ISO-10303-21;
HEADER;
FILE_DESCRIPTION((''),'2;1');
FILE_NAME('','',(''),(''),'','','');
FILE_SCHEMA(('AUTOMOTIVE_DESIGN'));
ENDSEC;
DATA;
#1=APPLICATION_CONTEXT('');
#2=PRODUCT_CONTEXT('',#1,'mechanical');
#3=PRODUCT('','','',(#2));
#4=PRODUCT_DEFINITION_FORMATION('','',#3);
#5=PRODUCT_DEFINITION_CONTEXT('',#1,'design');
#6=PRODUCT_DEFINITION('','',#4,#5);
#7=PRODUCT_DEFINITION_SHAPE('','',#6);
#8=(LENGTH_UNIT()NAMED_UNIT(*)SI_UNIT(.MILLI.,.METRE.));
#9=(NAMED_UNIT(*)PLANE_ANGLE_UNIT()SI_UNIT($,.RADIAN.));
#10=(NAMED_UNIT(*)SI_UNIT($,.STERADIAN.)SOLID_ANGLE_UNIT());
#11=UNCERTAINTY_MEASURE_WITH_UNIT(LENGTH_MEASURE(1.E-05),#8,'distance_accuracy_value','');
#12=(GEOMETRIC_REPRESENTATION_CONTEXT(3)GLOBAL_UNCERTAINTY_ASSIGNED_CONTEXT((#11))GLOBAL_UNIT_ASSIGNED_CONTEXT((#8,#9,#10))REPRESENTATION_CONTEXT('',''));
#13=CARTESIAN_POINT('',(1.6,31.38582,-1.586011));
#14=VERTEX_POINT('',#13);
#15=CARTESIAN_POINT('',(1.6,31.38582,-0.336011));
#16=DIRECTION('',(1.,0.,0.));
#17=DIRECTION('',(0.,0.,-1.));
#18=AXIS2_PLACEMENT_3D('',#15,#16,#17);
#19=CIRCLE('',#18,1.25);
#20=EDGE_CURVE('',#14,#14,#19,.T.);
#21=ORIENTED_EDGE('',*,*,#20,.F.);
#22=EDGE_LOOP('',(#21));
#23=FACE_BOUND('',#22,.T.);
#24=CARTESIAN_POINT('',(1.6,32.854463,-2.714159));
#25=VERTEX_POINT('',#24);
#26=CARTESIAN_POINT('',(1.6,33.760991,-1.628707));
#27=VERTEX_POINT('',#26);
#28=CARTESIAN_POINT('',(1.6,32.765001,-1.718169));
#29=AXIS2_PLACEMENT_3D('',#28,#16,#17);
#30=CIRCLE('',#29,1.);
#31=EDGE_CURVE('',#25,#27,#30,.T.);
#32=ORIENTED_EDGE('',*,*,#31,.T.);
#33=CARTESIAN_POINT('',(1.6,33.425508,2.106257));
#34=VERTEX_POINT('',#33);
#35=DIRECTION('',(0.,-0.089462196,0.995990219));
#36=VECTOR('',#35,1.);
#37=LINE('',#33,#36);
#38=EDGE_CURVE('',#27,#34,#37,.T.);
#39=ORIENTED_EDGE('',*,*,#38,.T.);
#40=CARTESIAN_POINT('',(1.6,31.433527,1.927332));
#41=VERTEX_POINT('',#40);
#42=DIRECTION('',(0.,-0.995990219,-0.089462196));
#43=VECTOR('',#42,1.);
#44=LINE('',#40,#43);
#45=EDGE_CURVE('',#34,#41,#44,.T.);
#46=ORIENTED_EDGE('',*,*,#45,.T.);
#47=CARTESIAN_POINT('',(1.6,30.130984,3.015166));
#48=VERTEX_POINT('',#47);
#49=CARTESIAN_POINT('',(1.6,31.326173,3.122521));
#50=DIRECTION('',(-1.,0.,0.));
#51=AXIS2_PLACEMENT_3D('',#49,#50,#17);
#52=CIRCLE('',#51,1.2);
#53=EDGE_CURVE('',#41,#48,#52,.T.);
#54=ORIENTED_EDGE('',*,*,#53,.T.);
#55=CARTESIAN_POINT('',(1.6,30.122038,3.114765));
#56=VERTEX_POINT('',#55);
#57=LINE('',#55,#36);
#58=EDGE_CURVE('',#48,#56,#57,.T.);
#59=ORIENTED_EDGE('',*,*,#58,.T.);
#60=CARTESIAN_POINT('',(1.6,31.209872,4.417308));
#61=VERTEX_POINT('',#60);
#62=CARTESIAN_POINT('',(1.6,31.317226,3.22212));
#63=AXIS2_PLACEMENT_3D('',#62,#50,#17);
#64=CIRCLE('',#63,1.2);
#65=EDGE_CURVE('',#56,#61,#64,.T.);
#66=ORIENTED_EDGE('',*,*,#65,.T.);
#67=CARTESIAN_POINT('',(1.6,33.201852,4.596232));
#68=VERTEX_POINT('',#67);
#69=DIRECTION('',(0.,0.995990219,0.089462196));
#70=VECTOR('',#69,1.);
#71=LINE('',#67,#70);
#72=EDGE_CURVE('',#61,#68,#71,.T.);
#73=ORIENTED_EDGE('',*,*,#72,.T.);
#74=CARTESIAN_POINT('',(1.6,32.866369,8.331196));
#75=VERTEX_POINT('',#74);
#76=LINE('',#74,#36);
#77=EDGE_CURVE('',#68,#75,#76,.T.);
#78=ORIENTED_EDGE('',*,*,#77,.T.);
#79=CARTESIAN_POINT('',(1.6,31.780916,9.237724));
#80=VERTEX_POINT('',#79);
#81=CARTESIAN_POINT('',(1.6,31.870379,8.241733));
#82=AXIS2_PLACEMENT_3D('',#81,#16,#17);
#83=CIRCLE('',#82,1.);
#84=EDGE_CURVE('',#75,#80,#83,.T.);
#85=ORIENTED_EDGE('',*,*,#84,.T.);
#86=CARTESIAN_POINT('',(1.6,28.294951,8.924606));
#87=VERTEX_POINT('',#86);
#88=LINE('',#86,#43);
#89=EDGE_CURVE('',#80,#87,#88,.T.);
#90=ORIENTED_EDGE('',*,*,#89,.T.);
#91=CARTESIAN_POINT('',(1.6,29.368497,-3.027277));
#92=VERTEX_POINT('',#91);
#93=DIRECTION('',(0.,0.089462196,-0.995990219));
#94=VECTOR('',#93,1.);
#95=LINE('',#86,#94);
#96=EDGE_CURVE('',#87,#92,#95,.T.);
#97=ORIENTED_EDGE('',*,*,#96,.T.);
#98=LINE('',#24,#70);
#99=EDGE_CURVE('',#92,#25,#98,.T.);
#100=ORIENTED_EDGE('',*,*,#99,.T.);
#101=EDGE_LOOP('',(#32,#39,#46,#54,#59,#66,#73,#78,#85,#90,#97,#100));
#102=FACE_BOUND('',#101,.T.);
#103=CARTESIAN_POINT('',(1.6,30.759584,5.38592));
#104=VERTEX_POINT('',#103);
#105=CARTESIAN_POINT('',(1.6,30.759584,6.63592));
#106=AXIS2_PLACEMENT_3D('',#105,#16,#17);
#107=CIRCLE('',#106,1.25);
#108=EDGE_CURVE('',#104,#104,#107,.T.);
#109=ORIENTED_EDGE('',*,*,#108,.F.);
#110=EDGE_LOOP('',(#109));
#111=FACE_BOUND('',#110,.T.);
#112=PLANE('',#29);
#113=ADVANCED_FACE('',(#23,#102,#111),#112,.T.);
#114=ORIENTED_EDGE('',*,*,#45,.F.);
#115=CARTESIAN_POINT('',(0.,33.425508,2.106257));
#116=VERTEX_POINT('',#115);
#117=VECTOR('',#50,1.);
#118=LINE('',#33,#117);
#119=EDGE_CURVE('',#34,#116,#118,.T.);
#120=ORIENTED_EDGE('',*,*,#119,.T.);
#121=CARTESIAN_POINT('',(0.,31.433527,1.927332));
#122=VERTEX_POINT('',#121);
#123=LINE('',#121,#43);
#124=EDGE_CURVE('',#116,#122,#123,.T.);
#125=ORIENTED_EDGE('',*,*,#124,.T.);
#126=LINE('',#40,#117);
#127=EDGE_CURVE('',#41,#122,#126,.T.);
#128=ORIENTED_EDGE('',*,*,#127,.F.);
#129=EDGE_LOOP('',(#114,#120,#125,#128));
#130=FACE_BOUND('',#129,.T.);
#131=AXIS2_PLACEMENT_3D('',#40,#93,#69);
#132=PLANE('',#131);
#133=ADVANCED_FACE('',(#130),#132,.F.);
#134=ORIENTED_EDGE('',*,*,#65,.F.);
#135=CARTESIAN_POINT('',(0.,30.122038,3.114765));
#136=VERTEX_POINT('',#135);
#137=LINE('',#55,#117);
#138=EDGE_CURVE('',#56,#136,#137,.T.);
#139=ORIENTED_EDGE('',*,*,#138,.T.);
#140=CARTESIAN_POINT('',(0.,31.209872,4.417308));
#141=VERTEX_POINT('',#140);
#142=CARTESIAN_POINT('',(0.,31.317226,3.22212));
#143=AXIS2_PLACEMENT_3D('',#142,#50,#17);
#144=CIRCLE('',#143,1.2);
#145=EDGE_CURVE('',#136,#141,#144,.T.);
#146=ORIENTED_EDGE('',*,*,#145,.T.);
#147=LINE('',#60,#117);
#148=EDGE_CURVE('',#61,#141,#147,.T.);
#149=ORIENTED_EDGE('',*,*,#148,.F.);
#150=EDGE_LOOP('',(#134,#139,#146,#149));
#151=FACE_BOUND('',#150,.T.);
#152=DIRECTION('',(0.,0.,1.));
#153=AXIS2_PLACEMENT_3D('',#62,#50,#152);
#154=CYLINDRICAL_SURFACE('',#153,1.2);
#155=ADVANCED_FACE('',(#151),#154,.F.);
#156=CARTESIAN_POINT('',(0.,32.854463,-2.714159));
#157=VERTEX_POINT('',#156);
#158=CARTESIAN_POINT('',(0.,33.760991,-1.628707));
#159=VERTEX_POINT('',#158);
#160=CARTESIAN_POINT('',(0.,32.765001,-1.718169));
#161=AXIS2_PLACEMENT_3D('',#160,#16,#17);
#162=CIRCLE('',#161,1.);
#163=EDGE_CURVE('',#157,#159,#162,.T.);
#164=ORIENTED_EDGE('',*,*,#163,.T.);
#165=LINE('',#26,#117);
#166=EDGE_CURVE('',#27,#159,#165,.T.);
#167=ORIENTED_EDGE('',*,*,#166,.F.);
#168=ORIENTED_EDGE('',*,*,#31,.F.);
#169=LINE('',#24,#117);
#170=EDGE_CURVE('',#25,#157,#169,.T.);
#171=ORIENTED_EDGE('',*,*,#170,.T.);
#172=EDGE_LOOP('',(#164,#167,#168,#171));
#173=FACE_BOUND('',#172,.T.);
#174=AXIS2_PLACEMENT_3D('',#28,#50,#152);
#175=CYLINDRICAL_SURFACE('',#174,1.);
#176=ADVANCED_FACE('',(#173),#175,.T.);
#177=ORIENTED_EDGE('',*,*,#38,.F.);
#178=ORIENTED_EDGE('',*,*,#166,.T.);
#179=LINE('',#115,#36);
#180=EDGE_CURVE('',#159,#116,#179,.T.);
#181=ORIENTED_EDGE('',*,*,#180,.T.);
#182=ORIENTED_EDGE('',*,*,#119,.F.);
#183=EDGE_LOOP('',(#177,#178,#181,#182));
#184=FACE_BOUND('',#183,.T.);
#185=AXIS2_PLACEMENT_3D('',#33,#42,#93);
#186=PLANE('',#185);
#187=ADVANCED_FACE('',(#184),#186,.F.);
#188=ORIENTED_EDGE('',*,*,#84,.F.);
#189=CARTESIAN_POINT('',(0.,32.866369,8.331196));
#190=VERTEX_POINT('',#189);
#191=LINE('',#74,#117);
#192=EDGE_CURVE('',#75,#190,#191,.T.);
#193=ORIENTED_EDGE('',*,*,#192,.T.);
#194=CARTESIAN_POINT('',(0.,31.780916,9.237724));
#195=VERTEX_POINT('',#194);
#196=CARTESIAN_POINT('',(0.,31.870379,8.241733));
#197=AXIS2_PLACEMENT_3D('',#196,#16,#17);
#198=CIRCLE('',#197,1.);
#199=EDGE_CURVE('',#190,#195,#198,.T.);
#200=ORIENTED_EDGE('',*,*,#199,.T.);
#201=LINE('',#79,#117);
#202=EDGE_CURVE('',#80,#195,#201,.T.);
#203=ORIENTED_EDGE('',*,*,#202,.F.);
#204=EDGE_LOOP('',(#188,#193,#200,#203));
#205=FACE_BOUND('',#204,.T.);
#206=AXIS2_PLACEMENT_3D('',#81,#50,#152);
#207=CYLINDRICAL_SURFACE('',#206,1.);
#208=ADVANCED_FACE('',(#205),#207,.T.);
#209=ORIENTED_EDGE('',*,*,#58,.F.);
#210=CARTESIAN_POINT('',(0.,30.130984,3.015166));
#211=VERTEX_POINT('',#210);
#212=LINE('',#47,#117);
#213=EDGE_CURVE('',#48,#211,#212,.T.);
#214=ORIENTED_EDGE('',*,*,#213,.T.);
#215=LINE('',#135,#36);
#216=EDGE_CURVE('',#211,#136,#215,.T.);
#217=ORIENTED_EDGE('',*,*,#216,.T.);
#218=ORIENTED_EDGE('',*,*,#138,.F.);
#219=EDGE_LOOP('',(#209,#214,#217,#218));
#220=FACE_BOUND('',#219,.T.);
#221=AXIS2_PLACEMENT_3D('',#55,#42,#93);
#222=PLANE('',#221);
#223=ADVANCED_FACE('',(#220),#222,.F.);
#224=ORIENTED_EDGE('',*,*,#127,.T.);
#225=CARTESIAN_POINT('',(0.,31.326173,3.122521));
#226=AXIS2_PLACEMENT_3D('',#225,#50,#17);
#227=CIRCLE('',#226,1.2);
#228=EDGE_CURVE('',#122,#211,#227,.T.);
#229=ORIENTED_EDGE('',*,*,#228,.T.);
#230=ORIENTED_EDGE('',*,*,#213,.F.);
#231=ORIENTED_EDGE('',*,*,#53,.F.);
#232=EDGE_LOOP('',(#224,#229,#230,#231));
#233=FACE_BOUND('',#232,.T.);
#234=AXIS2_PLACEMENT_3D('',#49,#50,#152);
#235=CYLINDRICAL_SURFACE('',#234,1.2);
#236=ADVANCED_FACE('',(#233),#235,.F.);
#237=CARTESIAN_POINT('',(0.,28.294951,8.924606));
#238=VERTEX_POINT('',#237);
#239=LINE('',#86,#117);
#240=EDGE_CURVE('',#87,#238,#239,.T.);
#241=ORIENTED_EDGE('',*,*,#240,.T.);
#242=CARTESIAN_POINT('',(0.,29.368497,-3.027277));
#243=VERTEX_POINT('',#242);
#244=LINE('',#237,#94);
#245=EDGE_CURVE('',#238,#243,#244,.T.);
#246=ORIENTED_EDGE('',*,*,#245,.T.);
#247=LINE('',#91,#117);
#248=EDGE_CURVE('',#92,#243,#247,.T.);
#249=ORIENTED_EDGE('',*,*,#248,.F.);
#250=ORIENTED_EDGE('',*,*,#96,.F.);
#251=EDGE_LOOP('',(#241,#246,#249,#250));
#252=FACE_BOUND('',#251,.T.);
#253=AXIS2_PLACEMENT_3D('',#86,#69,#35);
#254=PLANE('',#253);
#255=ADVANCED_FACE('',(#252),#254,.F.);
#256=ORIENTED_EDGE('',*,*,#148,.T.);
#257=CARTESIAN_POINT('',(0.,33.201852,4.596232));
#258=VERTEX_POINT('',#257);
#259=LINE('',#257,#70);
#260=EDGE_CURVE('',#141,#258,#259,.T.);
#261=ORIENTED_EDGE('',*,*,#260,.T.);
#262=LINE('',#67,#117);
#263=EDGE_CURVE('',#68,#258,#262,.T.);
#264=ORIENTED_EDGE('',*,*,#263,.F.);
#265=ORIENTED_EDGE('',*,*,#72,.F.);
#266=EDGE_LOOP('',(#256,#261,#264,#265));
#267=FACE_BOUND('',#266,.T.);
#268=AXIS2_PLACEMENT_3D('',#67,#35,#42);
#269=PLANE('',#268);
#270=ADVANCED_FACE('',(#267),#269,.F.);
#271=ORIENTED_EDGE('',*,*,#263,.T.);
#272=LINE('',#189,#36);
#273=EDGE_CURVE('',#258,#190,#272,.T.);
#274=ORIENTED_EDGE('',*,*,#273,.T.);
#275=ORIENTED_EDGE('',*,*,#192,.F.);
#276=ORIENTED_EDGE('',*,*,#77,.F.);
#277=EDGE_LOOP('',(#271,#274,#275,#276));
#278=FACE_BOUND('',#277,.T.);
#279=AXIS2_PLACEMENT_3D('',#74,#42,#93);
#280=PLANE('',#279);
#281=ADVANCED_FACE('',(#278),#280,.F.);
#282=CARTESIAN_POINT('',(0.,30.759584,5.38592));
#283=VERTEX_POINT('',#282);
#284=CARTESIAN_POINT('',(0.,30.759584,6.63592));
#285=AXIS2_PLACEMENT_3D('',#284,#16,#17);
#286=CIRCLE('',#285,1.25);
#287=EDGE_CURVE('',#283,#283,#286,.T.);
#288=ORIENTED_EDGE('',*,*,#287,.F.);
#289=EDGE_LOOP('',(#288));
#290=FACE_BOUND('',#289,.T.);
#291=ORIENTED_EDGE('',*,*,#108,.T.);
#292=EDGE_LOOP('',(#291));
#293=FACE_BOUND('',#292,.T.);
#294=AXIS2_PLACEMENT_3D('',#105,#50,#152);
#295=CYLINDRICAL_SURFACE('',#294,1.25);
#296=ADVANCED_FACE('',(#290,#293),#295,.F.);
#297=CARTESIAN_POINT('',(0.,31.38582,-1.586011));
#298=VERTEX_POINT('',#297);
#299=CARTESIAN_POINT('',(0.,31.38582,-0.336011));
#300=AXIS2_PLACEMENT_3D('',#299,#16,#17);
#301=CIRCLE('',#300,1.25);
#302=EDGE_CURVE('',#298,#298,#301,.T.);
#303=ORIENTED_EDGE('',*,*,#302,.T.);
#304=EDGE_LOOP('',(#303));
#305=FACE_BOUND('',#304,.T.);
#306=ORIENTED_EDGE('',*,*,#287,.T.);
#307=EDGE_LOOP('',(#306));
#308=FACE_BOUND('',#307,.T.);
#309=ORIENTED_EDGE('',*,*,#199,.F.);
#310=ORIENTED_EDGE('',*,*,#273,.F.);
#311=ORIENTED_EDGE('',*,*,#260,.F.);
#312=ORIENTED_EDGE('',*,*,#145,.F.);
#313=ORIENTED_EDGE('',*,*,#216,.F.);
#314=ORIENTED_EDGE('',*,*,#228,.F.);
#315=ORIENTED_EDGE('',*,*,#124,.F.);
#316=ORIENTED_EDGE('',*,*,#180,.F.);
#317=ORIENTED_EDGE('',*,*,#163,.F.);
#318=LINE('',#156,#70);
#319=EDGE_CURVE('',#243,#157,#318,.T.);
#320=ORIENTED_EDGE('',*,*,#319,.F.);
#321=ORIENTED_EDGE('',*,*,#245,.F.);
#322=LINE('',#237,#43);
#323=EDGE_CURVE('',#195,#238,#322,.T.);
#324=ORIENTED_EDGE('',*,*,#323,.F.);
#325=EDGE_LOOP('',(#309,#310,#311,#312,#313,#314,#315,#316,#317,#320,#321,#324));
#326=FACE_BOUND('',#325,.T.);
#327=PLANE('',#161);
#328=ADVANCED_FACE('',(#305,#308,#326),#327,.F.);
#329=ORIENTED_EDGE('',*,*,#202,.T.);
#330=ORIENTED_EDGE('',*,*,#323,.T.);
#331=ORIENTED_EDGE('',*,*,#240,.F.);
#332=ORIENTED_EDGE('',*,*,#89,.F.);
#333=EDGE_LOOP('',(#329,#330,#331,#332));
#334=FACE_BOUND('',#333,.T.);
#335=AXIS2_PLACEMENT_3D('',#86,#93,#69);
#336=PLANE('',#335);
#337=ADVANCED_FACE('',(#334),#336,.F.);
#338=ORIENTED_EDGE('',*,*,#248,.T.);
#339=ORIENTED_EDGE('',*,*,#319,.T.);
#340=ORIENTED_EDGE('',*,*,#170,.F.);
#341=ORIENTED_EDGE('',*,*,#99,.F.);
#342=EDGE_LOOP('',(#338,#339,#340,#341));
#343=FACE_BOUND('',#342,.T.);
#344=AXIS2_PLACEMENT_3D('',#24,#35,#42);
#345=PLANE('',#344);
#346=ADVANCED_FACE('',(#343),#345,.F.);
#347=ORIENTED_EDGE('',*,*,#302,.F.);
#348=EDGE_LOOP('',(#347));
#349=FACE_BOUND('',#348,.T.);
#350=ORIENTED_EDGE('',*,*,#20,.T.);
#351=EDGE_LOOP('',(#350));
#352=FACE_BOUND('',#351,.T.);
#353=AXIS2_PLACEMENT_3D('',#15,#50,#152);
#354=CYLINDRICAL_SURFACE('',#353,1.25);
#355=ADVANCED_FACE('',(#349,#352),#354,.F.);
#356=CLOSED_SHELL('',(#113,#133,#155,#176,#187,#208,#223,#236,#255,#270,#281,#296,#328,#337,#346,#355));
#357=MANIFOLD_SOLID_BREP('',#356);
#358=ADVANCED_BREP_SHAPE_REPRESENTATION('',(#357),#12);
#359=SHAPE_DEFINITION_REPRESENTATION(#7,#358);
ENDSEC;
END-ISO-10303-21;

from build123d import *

# Parameters (mm, degrees)
SKETCH_1_R      = 1.25
EXTRUDE_1_DEPTH = 1.6


with BuildPart() as part:
    # Эскиз1 → Бобышка-Вытянуть1 (new body)
    with BuildSketch(Plane(origin=(0, 0, 0), x_dir=(0, 0, -1), z_dir=(1, 0, 0))):
        with BuildLine():
            Line((2.714158993, 32.8544628), (3.027276679, 29.368497035))
            Line((3.027276679, 29.368497035), (-8.924605944, 28.294950683))
            Line((-8.924605944, 28.294950683), (-9.23772363, 31.780916448))
            ThreePointArc((-9.23772363, 31.780916448), (-9.009264175, 32.511390756), (-8.331195608, 32.866368862))
            Line((-8.331195608, 32.866368862), (-4.596232288, 33.201852097))
            Line((-4.596232288, 33.201852097), (-4.417307896, 31.20987166))
            ThreePointArc((-4.417307896, 31.20987166), (-3.991334168, 30.39618938), (-3.114764999, 30.122038033))
            Line((-3.114764999, 30.122038033), (-3.015165977, 30.130984253))
            ThreePointArc((-3.015165977, 30.130984253), (-2.201483696, 30.55695798), (-1.92733235, 31.43352715))
            Line((-1.92733235, 31.43352715), (-2.106256742, 33.425507587))
            Line((-2.106256742, 33.425507587), (1.628706578, 33.760990822))
            ThreePointArc((1.628706578, 33.760990822), (2.359180886, 33.532531367), (2.714158993, 32.8544628))
        make_face()
        with Locations((-6.635920339, 30.759584164)):
            Circle(SKETCH_1_R, mode=Mode.SUBTRACT)
        with Locations((0.336011191, 31.385819536)):
            Circle(SKETCH_1_R, mode=Mode.SUBTRACT)
    extrude(amount=EXTRUDE_1_DEPTH)


solid = part.part
